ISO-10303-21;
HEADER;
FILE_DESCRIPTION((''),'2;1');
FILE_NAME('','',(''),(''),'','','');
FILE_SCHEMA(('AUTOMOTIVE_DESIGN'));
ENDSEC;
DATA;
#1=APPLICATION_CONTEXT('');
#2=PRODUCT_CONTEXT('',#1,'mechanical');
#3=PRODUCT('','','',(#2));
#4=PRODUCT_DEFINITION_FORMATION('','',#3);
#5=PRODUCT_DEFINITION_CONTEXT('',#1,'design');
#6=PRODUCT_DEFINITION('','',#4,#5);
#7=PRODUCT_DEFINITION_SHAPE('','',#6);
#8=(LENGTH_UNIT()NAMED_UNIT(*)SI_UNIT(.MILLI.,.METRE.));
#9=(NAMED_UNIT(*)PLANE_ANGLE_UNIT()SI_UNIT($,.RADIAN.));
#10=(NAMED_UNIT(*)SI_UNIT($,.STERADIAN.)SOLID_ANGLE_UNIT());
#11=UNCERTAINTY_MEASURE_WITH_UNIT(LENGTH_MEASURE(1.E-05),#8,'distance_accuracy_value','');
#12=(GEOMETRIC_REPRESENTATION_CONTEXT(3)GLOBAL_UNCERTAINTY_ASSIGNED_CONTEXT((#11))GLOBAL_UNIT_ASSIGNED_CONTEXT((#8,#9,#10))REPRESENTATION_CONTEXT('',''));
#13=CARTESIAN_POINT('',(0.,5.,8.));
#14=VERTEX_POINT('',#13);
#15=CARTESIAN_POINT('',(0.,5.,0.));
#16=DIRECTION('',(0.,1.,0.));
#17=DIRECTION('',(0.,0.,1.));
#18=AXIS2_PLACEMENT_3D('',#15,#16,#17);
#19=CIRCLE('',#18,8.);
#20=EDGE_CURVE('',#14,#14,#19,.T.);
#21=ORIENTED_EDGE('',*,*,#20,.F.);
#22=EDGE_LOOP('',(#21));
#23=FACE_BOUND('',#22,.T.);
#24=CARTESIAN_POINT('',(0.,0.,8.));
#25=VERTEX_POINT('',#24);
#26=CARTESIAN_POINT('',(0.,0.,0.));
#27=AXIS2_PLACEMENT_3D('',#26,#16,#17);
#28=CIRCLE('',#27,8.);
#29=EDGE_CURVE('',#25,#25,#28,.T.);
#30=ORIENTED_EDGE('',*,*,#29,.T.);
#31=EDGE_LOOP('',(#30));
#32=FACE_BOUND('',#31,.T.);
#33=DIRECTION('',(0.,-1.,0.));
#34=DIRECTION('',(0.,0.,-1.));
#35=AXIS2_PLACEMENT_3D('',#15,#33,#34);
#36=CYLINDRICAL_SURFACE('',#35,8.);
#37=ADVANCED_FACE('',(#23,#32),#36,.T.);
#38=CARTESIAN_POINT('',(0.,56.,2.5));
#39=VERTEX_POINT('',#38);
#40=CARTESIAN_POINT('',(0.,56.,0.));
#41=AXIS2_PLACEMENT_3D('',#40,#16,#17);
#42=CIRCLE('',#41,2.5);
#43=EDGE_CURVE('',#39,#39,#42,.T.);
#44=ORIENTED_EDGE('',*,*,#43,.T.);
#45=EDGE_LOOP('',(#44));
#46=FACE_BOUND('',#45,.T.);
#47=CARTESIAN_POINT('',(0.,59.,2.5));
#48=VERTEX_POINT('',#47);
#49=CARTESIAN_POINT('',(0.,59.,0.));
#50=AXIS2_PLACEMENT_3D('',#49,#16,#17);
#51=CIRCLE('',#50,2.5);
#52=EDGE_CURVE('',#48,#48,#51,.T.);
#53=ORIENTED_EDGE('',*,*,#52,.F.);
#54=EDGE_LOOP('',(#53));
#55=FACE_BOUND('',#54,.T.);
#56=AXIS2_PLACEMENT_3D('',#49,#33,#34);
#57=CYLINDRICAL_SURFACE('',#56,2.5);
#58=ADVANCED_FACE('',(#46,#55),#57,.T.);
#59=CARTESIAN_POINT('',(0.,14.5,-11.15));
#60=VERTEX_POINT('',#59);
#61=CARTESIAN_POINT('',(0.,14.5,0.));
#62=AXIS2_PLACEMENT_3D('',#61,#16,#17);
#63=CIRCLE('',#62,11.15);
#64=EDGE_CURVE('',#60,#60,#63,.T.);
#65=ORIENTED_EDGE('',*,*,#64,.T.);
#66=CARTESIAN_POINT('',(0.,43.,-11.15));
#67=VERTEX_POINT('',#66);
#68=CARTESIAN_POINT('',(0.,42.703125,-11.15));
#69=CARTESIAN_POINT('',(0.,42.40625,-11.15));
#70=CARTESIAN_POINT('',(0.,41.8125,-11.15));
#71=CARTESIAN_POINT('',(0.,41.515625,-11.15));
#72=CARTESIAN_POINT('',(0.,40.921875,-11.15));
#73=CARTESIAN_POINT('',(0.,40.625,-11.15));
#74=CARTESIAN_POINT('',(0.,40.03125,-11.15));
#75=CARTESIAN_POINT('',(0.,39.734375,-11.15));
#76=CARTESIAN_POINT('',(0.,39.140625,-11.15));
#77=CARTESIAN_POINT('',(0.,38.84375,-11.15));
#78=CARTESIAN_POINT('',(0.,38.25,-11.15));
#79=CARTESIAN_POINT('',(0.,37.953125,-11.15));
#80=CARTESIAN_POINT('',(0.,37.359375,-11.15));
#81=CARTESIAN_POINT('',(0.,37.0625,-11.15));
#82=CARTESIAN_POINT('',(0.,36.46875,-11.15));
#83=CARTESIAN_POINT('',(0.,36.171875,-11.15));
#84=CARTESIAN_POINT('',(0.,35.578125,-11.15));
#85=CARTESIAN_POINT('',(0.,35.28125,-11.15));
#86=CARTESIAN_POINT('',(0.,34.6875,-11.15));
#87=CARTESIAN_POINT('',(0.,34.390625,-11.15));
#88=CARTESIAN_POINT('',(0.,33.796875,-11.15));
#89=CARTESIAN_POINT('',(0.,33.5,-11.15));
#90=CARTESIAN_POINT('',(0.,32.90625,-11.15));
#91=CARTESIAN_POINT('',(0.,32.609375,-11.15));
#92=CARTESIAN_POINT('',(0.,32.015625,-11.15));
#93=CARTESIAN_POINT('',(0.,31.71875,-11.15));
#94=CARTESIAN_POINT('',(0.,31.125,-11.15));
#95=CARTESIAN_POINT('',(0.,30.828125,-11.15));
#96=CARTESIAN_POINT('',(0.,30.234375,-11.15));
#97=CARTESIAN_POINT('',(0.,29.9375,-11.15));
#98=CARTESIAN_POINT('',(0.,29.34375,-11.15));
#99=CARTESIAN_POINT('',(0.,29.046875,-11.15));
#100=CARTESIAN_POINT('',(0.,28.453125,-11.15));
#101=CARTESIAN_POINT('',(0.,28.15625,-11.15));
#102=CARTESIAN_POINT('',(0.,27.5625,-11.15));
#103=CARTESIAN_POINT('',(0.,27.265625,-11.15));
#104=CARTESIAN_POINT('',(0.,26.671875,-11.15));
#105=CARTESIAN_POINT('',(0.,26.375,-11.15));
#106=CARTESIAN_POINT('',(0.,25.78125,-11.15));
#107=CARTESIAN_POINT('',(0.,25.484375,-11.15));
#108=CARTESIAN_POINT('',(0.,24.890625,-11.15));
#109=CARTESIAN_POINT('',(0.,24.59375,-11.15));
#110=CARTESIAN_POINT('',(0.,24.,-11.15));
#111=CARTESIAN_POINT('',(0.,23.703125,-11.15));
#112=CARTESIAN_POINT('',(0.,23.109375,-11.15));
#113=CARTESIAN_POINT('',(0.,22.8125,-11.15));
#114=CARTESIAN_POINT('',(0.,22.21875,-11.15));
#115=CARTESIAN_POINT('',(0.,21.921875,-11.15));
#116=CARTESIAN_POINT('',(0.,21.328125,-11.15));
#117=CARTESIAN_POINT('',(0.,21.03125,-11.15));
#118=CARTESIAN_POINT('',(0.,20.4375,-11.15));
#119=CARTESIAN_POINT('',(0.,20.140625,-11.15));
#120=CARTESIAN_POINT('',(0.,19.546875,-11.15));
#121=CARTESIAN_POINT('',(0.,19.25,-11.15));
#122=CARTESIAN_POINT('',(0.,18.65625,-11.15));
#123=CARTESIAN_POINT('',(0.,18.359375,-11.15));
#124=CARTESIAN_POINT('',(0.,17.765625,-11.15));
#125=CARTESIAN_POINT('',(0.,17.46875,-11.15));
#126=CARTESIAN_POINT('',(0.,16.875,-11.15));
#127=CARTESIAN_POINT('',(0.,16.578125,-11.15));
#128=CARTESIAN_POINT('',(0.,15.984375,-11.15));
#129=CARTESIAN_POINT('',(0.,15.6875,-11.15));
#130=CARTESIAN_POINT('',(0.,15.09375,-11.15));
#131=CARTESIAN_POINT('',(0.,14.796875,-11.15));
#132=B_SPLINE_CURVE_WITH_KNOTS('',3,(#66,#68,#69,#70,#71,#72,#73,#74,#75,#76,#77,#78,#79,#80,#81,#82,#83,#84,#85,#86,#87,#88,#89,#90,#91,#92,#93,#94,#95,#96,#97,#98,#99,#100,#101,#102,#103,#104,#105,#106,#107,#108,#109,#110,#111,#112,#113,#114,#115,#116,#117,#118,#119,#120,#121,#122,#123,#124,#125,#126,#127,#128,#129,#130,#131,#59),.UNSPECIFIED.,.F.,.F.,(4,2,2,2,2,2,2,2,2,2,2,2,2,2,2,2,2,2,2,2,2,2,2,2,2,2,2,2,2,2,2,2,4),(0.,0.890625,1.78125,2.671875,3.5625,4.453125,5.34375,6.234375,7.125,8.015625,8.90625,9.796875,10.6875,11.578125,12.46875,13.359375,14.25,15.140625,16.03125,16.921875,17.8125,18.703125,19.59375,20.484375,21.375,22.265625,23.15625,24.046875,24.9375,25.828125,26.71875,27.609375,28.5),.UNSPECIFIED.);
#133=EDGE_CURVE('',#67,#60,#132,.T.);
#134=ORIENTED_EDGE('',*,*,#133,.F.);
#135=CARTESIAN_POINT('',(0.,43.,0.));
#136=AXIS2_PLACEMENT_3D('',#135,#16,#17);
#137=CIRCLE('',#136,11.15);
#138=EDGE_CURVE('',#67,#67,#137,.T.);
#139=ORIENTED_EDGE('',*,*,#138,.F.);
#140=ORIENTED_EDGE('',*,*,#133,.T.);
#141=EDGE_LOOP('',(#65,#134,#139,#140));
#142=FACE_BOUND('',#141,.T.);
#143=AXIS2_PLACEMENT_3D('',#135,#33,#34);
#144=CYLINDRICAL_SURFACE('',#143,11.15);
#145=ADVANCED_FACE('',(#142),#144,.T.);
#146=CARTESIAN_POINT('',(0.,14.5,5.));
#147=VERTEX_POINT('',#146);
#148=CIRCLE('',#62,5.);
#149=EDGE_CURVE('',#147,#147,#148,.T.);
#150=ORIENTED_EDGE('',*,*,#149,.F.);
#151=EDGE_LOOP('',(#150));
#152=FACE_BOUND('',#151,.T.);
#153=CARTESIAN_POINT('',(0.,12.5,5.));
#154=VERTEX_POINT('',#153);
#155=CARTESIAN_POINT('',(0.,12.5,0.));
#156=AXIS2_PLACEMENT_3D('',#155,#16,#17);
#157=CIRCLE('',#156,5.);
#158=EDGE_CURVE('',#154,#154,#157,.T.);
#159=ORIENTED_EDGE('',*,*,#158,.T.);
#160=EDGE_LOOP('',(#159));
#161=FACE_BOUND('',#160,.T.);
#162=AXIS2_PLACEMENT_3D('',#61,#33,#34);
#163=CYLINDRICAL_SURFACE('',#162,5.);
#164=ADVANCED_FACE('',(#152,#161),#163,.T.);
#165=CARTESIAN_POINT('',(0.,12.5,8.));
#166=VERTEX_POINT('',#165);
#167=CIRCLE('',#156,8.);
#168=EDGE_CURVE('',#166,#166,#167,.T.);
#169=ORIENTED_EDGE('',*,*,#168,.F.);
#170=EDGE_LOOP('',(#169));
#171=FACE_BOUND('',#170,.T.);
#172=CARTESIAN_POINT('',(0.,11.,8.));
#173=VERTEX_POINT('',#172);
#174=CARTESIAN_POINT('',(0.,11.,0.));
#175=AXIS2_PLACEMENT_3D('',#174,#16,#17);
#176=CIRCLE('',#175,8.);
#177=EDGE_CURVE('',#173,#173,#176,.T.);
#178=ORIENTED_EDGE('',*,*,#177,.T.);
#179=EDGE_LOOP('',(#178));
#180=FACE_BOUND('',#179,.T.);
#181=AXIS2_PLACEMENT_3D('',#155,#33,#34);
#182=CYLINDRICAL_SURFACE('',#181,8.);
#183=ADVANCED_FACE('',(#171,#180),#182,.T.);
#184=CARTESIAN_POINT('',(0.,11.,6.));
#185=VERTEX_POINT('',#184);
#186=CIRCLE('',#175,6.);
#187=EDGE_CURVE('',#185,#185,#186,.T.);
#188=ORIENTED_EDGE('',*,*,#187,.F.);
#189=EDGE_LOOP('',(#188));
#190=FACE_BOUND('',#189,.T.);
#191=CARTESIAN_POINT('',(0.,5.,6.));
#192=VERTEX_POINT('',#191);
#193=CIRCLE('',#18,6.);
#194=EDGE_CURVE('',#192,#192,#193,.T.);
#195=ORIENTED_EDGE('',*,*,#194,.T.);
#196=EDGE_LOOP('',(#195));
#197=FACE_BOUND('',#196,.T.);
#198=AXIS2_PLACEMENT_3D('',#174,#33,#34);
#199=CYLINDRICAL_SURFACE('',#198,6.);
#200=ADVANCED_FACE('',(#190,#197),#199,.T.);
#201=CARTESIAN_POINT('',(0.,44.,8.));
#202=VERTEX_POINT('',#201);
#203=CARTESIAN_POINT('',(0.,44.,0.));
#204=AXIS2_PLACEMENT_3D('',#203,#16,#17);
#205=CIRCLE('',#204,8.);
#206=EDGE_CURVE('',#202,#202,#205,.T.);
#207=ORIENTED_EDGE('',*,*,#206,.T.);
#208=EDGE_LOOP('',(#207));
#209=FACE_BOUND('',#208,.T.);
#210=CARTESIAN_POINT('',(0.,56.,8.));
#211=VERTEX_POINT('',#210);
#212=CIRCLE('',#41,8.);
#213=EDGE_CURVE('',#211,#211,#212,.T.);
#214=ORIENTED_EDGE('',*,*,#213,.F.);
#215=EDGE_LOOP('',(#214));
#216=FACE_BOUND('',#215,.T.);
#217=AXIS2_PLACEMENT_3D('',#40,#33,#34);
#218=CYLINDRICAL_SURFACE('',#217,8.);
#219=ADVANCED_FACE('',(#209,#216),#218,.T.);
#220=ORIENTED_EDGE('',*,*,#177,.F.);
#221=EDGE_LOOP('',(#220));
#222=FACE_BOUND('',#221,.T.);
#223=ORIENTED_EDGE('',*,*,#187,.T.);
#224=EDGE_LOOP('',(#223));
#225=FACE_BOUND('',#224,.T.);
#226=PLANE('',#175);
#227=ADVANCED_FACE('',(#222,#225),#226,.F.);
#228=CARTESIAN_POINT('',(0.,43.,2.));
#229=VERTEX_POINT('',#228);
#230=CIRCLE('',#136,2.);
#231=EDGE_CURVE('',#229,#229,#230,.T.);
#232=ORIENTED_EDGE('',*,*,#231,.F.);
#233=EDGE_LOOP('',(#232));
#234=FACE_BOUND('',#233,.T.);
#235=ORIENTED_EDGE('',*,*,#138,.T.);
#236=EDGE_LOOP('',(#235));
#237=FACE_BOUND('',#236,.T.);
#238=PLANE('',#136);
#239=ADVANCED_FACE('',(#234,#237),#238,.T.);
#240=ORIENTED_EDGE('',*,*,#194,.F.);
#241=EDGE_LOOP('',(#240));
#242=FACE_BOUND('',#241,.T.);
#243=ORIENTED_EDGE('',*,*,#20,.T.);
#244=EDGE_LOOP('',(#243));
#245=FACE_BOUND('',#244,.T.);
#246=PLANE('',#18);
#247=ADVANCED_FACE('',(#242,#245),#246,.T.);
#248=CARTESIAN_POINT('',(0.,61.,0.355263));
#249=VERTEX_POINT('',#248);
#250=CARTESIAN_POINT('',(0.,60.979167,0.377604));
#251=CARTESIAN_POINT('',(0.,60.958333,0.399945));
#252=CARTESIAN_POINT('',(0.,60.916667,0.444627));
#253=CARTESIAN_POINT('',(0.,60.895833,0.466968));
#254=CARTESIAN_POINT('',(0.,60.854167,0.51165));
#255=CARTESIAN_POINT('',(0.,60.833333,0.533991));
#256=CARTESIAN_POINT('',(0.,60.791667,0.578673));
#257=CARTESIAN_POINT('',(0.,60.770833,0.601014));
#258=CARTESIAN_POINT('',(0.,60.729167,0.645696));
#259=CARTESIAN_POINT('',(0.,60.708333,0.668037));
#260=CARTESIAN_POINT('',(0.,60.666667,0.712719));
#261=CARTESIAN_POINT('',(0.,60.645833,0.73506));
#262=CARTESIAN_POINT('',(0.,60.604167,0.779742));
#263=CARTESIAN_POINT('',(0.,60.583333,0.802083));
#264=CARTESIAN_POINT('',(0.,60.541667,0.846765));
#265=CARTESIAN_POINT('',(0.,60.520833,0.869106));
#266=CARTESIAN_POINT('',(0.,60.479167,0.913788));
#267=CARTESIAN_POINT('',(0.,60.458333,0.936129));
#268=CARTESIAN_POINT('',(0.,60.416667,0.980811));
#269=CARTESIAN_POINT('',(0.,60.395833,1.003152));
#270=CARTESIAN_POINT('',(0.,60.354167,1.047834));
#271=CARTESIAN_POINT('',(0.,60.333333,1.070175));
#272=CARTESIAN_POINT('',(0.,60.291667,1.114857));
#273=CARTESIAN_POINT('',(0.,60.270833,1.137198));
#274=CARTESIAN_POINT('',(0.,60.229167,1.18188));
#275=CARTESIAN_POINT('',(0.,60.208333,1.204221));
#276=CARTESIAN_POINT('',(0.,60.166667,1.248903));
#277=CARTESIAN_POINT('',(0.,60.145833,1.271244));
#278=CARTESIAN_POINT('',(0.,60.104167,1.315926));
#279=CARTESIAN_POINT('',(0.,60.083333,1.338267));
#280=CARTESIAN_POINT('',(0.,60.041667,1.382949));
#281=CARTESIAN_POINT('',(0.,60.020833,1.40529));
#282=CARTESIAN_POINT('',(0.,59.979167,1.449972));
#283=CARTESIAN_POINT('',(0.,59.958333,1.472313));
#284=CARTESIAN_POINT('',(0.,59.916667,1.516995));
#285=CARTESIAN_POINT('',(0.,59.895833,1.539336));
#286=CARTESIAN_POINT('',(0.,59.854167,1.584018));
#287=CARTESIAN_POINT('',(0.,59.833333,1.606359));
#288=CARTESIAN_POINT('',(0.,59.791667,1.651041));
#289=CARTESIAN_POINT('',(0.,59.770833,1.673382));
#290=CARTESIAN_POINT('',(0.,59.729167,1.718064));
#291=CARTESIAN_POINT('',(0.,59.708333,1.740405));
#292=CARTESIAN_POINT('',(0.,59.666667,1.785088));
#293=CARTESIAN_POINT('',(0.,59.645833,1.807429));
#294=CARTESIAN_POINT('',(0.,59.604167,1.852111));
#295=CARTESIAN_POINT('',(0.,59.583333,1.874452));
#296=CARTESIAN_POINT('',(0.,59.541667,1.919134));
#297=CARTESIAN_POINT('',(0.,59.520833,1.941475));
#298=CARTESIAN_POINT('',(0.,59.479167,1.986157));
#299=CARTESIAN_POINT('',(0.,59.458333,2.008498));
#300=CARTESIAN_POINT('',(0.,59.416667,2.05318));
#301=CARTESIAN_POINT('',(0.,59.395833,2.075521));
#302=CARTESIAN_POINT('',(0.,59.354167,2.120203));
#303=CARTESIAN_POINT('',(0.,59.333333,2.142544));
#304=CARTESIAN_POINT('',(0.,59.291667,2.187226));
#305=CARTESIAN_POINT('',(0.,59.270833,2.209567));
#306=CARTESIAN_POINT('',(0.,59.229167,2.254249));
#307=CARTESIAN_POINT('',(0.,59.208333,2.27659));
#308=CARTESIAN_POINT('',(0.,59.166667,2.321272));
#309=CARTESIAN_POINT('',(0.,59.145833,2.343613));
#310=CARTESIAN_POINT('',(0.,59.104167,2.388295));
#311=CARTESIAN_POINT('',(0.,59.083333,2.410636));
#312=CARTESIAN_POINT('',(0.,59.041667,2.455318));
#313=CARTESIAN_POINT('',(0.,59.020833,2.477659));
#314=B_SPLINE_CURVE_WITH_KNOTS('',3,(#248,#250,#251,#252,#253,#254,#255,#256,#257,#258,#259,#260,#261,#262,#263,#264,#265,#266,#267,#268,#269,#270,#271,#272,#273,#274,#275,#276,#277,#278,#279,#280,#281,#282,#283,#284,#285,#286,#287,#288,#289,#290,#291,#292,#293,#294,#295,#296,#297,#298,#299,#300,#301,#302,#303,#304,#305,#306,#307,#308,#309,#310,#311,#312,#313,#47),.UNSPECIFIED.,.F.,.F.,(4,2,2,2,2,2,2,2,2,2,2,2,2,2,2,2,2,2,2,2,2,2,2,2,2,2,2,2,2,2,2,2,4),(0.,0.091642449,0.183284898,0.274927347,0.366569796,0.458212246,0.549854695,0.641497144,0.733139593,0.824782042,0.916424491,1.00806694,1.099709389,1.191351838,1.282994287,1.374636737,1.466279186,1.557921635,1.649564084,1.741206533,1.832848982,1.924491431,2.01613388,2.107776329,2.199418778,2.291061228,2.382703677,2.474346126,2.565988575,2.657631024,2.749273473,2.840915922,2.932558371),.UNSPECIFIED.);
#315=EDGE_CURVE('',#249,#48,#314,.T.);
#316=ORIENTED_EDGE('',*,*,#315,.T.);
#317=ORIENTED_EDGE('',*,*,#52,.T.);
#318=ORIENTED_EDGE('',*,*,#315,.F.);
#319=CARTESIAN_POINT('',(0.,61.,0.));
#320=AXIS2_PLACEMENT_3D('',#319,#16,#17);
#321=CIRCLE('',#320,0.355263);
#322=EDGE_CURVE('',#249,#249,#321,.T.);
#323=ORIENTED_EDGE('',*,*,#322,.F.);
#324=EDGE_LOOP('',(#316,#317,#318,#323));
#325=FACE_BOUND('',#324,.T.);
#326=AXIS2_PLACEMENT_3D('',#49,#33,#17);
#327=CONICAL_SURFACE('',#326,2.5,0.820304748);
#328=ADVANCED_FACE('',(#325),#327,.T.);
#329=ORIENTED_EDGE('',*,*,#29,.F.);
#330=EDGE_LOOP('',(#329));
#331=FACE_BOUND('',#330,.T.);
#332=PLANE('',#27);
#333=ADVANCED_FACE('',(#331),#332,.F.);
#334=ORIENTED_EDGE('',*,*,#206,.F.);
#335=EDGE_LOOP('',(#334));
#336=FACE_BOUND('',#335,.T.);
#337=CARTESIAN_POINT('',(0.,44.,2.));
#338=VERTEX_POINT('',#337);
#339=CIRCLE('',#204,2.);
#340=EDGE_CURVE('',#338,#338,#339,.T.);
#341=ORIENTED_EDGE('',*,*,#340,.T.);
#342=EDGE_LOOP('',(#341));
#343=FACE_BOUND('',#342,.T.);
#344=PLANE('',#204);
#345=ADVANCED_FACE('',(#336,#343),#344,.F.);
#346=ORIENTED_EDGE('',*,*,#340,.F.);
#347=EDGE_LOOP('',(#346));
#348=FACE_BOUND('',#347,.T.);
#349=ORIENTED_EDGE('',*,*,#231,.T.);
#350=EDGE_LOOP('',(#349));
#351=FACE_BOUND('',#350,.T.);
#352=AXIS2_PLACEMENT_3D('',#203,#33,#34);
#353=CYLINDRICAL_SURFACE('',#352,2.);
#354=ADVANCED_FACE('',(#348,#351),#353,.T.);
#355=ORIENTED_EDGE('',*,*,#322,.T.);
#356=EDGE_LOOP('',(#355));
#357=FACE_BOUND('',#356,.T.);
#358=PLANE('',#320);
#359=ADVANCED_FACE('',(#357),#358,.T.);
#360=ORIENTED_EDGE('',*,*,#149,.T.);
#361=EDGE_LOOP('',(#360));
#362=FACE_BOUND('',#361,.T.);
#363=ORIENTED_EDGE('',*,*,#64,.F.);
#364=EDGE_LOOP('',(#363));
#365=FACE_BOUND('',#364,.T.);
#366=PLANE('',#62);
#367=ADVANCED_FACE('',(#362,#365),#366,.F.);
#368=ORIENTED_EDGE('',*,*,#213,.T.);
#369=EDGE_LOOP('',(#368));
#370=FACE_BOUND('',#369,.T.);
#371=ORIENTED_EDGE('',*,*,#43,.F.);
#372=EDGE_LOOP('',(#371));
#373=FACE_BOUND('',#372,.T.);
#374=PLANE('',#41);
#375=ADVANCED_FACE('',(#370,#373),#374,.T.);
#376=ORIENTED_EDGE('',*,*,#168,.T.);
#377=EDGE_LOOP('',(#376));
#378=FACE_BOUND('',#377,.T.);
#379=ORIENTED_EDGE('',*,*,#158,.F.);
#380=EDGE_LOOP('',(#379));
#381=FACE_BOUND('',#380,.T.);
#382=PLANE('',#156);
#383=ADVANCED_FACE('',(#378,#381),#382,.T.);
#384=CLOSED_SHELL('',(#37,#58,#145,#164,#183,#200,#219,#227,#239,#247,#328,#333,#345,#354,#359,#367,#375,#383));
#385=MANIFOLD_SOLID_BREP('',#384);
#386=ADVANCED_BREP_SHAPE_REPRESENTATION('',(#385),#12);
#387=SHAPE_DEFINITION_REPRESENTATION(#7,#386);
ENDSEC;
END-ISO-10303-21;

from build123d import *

# Parameters (mm, degrees)
SKETCH1_R           = 8
BOSS_EXTRUDE1_DEPTH = 5
SKETCH2_R           = 6
BOSS_EXTRUDE2_DEPTH = 6
SKETCH3_R           = 8
BOSS_EXTRUDE3_DEPTH = 1.5
SKETCH4_R           = 5
BOSS_EXTRUDE4_DEPTH = 2
SKETCH5_R           = 11.15
BOSS_EXTRUDE5_DEPTH = 28.5
SKETCH6_R           = 2
BOSS_EXTRUDE6_DEPTH = 1
SKETCH7_R           = 8
BOSS_EXTRUDE7_DEPTH = 12
SKETCH8_R           = 2.5
BOSS_EXTRUDE8_DEPTH = 3
SKETCH9_R           = 2.5
BOSS_EXTRUDE9_DEPTH = 2
BOSS_EXTRUDE9_TAPER = 47


with BuildPart() as part:
    # Sketch1 → Boss-Extrude1 (new body)
    with BuildSketch(Plane(origin=(0, 0, 0), x_dir=(1, 0, 0), z_dir=(0, 1, 0))):
        with Locations(Location((0, 0, 0), (0, 0, 270))):
            Circle(SKETCH1_R)
    extrude(amount=BOSS_EXTRUDE1_DEPTH)

    # Sketch2 → Boss-Extrude2 (add)
    with BuildSketch(Plane(origin=(0, 5, 0), x_dir=(1, 0, 0), z_dir=(0, 1, 0))):
        with Locations(Location((0, 0, 0), (0, 0, 270))):
            Circle(SKETCH2_R)
    extrude(amount=BOSS_EXTRUDE2_DEPTH)

    # Sketch3 → Boss-Extrude3 (add)
    with BuildSketch(Plane(origin=(0, 11, 0), x_dir=(1, 0, 0), z_dir=(0, 1, 0))):
        with Locations(Location((0, 0, 0), (0, 0, 270))):
            Circle(SKETCH3_R)
    extrude(amount=BOSS_EXTRUDE3_DEPTH)

    # Sketch4 → Boss-Extrude4 (add)
    with BuildSketch(Plane(origin=(0, 12.5, 0), x_dir=(1, 0, 0), z_dir=(0, 1, 0))):
        with Locations(Location((0, 0, 0), (0, 0, 270))):
            Circle(SKETCH4_R)
    extrude(amount=BOSS_EXTRUDE4_DEPTH)

    # Sketch5 → Boss-Extrude5 (add)
    with BuildSketch(Plane(origin=(0, 14.5, 0), x_dir=(1, 0, 0), z_dir=(0, 1, 0))):
        with Locations(Location((0, 0, 0), (0, 0, 90))):
            Circle(SKETCH5_R)
    extrude(amount=BOSS_EXTRUDE5_DEPTH)

    # Sketch6 → Boss-Extrude6 (add)
    with BuildSketch(Plane(origin=(0, 43, 0), x_dir=(1, 0, 0), z_dir=(0, 1, 0))):
        with Locations(Location((0, 0, 0), (0, 0, 270))):
            Circle(SKETCH6_R)
    extrude(amount=BOSS_EXTRUDE6_DEPTH)

    # Sketch7 → Boss-Extrude7 (add)
    with BuildSketch(Plane(origin=(0, 44, 0), x_dir=(1, 0, 0), z_dir=(0, 1, 0))):
        with Locations(Location((0, 0, 0), (0, 0, 270))):
            Circle(SKETCH7_R)
    extrude(amount=BOSS_EXTRUDE7_DEPTH)

    # Sketch8 → Boss-Extrude8 (add)
    with BuildSketch(Plane(origin=(0, 56, 0), x_dir=(1, 0, 0), z_dir=(0, 1, 0))):
        with Locations(Location((0, 0, 0), (0, 0, 270))):
            Circle(SKETCH8_R)
    extrude(amount=BOSS_EXTRUDE8_DEPTH)

    # Sketch9 → Boss-Extrude9 (add)
    with BuildSketch(Plane(origin=(0, 59, 0), x_dir=(1, 0, 0), z_dir=(0, 1, 0))):
        with Locations(Location((0, 0, 0), (0, 0, 270))):
            Circle(SKETCH9_R)
    extrude(amount=BOSS_EXTRUDE9_DEPTH, taper=BOSS_EXTRUDE9_TAPER)


solid = part.part
